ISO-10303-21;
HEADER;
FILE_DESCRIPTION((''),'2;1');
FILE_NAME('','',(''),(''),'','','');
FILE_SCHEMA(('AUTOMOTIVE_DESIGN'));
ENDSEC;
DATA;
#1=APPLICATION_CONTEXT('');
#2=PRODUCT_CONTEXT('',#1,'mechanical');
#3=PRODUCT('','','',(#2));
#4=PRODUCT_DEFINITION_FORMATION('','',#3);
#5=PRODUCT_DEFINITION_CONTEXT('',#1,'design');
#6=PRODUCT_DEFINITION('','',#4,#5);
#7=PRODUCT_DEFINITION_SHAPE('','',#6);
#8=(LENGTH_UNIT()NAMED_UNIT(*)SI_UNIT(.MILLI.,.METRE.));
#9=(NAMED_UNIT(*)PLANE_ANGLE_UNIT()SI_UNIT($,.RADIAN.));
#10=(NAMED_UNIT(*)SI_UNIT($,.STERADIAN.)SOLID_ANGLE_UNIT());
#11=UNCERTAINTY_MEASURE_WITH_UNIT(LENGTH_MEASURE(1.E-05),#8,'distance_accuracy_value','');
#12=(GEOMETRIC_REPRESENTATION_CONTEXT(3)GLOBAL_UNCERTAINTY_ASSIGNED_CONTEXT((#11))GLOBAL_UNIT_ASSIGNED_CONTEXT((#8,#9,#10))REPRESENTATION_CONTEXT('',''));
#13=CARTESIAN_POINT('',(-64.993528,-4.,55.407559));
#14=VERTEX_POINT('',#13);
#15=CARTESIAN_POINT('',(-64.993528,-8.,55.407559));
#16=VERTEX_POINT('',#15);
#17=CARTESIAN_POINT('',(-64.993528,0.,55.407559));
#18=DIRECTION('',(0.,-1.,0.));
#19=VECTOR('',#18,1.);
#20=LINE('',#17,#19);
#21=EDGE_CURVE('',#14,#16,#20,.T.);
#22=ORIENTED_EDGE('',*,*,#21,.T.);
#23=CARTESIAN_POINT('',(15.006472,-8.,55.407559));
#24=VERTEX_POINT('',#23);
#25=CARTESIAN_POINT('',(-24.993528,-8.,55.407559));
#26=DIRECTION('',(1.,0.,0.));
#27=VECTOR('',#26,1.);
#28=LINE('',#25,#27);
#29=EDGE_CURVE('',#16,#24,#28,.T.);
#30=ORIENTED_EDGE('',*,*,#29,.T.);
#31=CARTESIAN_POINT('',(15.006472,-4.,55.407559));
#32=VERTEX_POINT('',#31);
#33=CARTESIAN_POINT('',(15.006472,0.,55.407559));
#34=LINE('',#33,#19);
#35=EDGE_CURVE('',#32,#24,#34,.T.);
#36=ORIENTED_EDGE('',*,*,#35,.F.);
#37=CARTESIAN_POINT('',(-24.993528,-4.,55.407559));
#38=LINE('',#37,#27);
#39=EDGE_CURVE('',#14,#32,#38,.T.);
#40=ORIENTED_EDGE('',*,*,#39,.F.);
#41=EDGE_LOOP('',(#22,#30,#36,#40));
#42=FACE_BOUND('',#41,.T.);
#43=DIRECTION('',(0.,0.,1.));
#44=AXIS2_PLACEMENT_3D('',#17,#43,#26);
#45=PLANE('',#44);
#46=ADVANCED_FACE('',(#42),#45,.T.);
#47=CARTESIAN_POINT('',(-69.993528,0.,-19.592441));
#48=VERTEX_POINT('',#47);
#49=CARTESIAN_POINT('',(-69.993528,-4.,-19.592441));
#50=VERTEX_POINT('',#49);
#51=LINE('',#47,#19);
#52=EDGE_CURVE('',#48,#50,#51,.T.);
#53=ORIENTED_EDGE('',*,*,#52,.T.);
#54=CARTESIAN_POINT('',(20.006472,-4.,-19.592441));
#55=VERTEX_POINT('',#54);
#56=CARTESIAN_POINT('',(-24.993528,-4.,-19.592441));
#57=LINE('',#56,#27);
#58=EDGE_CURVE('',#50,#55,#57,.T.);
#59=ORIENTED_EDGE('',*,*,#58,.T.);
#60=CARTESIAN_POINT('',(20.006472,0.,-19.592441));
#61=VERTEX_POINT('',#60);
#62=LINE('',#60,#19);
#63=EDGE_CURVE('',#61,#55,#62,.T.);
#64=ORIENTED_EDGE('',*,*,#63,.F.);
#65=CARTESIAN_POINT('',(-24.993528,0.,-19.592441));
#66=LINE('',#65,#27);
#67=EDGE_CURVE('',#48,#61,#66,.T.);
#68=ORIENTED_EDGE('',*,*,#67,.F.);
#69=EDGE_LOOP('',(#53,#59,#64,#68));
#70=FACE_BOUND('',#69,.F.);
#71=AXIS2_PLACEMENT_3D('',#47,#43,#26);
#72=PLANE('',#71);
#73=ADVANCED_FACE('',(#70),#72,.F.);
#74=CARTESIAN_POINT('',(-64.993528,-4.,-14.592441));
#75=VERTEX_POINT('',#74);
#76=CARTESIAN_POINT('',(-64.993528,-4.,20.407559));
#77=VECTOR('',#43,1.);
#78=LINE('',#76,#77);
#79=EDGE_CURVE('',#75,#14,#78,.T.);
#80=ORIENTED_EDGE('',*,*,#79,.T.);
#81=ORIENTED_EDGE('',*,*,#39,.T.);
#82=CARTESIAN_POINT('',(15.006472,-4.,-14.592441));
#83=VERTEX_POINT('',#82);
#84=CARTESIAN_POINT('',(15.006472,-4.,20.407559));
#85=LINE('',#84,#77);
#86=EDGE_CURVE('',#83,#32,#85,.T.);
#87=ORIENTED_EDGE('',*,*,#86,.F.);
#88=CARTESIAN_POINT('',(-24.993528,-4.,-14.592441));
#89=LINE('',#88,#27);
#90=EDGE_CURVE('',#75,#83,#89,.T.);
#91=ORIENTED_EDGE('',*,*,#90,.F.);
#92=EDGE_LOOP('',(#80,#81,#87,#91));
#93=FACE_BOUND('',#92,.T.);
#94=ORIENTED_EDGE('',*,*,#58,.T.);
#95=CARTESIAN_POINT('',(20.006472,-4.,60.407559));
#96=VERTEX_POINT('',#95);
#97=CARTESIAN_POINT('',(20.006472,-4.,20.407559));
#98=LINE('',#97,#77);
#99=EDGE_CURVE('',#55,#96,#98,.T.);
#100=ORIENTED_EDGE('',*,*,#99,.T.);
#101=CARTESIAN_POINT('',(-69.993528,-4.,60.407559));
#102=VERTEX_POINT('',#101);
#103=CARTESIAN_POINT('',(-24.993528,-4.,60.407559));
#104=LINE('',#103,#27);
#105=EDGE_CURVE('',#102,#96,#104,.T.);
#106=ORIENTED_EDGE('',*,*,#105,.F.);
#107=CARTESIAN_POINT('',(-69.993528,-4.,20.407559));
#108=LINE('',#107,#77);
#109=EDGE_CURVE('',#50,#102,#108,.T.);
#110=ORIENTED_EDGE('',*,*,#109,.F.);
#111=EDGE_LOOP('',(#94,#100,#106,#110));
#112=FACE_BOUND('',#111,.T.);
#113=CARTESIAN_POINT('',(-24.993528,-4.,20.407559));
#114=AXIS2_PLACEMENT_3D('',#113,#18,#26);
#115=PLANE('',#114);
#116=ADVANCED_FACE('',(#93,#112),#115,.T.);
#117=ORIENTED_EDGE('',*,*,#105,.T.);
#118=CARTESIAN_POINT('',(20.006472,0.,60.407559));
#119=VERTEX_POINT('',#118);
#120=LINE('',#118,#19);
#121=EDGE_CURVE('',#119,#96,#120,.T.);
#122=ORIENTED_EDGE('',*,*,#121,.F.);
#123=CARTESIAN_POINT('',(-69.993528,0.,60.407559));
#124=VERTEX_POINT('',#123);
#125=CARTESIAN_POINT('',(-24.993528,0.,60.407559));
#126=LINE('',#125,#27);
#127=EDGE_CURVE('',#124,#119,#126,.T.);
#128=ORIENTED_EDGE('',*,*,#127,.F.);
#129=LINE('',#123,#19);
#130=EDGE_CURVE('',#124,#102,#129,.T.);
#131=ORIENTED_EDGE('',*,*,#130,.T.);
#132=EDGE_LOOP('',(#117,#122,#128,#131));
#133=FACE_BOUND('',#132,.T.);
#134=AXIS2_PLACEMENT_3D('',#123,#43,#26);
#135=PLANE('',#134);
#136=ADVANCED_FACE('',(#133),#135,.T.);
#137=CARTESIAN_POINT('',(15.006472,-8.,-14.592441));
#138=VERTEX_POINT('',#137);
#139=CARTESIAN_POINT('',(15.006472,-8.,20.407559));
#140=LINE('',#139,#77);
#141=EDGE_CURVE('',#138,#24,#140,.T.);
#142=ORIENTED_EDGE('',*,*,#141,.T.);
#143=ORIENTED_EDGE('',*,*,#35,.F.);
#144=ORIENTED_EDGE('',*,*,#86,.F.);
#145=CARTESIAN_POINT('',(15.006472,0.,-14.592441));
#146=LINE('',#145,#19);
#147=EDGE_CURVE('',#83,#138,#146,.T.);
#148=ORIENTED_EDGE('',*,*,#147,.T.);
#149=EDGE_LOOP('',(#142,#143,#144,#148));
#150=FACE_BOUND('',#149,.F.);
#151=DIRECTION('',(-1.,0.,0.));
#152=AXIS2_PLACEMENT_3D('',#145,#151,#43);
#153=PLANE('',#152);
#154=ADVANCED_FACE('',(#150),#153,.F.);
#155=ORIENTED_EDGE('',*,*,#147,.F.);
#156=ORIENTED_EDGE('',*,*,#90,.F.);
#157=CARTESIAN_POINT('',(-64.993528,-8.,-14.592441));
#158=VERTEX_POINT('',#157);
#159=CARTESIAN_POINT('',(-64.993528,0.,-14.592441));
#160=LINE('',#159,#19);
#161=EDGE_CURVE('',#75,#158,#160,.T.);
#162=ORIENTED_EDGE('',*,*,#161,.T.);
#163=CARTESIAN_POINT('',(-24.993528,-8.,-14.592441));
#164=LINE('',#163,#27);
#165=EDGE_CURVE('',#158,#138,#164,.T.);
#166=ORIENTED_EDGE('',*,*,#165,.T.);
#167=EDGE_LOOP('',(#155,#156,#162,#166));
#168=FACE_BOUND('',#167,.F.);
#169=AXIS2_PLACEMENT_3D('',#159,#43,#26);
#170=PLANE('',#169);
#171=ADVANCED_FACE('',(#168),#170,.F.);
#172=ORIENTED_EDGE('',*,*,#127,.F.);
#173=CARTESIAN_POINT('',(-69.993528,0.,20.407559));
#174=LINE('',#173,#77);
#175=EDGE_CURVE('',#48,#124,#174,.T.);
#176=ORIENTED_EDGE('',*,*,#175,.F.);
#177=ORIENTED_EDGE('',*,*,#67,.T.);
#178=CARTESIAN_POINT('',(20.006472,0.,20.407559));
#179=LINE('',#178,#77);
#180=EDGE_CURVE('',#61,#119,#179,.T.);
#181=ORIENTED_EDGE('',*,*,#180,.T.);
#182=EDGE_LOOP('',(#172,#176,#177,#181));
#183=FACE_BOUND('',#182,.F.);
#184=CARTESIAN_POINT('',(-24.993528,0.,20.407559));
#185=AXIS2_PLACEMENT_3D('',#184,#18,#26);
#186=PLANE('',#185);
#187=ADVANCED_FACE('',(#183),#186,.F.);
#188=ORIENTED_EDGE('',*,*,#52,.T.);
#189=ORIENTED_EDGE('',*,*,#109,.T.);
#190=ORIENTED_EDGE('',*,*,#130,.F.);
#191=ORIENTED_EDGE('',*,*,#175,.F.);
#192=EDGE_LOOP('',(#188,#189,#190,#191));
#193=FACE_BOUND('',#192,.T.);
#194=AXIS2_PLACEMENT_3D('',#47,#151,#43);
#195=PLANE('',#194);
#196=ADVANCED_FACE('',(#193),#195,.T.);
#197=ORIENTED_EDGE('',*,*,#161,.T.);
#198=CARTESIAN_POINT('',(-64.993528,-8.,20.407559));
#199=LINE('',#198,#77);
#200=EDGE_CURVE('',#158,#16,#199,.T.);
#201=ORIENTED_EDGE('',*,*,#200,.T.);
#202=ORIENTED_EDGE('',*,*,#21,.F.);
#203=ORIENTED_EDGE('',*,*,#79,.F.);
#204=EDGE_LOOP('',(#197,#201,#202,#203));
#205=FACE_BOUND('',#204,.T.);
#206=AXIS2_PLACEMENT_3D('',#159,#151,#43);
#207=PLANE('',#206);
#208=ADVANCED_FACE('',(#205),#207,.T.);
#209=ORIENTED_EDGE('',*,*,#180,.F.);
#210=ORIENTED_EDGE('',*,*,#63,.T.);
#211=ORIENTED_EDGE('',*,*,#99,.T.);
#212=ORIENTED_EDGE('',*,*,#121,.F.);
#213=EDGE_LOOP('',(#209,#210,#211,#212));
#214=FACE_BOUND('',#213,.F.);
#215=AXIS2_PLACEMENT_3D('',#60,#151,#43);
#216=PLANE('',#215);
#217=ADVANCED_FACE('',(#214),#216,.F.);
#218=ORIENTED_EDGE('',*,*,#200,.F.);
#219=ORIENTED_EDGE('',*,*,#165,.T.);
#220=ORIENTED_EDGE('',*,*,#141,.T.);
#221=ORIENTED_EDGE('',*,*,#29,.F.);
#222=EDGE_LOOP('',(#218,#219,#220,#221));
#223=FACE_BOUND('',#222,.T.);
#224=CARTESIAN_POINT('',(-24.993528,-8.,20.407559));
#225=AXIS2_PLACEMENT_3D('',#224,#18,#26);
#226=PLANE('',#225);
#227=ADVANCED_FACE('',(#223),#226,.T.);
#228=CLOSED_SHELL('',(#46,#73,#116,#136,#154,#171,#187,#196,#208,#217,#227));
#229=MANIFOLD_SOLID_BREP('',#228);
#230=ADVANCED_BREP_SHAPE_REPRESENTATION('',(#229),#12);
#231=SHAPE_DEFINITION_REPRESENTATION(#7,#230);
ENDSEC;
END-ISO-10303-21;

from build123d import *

# Parameters (mm, degrees)
F0_W     = 80
F0_H     = 70
F1_DEPTH = 8
F0_W_2   = 90
F0_H_2   = 80
F2_DEPTH = 4


with BuildPart() as f1:
    # F0 (on Front) → F1 (new body)
    with BuildSketch(Plane.XZ):
        with Locations((-24.993528, 20.407559)):
            Rectangle(F0_W, F0_H)
    extrude(amount=F1_DEPTH)

    # F0 (on Front) → F2 (join)
    with BuildSketch(Plane.XZ):
        with Locations((-24.993528, 20.407559)):
            Rectangle(F0_W_2, F0_H_2)
        with Locations((-24.993528, 20.407559)):
            Rectangle(F0_W, F0_H, mode=Mode.SUBTRACT)
    extrude(amount=F2_DEPTH)


solid = f1.part
